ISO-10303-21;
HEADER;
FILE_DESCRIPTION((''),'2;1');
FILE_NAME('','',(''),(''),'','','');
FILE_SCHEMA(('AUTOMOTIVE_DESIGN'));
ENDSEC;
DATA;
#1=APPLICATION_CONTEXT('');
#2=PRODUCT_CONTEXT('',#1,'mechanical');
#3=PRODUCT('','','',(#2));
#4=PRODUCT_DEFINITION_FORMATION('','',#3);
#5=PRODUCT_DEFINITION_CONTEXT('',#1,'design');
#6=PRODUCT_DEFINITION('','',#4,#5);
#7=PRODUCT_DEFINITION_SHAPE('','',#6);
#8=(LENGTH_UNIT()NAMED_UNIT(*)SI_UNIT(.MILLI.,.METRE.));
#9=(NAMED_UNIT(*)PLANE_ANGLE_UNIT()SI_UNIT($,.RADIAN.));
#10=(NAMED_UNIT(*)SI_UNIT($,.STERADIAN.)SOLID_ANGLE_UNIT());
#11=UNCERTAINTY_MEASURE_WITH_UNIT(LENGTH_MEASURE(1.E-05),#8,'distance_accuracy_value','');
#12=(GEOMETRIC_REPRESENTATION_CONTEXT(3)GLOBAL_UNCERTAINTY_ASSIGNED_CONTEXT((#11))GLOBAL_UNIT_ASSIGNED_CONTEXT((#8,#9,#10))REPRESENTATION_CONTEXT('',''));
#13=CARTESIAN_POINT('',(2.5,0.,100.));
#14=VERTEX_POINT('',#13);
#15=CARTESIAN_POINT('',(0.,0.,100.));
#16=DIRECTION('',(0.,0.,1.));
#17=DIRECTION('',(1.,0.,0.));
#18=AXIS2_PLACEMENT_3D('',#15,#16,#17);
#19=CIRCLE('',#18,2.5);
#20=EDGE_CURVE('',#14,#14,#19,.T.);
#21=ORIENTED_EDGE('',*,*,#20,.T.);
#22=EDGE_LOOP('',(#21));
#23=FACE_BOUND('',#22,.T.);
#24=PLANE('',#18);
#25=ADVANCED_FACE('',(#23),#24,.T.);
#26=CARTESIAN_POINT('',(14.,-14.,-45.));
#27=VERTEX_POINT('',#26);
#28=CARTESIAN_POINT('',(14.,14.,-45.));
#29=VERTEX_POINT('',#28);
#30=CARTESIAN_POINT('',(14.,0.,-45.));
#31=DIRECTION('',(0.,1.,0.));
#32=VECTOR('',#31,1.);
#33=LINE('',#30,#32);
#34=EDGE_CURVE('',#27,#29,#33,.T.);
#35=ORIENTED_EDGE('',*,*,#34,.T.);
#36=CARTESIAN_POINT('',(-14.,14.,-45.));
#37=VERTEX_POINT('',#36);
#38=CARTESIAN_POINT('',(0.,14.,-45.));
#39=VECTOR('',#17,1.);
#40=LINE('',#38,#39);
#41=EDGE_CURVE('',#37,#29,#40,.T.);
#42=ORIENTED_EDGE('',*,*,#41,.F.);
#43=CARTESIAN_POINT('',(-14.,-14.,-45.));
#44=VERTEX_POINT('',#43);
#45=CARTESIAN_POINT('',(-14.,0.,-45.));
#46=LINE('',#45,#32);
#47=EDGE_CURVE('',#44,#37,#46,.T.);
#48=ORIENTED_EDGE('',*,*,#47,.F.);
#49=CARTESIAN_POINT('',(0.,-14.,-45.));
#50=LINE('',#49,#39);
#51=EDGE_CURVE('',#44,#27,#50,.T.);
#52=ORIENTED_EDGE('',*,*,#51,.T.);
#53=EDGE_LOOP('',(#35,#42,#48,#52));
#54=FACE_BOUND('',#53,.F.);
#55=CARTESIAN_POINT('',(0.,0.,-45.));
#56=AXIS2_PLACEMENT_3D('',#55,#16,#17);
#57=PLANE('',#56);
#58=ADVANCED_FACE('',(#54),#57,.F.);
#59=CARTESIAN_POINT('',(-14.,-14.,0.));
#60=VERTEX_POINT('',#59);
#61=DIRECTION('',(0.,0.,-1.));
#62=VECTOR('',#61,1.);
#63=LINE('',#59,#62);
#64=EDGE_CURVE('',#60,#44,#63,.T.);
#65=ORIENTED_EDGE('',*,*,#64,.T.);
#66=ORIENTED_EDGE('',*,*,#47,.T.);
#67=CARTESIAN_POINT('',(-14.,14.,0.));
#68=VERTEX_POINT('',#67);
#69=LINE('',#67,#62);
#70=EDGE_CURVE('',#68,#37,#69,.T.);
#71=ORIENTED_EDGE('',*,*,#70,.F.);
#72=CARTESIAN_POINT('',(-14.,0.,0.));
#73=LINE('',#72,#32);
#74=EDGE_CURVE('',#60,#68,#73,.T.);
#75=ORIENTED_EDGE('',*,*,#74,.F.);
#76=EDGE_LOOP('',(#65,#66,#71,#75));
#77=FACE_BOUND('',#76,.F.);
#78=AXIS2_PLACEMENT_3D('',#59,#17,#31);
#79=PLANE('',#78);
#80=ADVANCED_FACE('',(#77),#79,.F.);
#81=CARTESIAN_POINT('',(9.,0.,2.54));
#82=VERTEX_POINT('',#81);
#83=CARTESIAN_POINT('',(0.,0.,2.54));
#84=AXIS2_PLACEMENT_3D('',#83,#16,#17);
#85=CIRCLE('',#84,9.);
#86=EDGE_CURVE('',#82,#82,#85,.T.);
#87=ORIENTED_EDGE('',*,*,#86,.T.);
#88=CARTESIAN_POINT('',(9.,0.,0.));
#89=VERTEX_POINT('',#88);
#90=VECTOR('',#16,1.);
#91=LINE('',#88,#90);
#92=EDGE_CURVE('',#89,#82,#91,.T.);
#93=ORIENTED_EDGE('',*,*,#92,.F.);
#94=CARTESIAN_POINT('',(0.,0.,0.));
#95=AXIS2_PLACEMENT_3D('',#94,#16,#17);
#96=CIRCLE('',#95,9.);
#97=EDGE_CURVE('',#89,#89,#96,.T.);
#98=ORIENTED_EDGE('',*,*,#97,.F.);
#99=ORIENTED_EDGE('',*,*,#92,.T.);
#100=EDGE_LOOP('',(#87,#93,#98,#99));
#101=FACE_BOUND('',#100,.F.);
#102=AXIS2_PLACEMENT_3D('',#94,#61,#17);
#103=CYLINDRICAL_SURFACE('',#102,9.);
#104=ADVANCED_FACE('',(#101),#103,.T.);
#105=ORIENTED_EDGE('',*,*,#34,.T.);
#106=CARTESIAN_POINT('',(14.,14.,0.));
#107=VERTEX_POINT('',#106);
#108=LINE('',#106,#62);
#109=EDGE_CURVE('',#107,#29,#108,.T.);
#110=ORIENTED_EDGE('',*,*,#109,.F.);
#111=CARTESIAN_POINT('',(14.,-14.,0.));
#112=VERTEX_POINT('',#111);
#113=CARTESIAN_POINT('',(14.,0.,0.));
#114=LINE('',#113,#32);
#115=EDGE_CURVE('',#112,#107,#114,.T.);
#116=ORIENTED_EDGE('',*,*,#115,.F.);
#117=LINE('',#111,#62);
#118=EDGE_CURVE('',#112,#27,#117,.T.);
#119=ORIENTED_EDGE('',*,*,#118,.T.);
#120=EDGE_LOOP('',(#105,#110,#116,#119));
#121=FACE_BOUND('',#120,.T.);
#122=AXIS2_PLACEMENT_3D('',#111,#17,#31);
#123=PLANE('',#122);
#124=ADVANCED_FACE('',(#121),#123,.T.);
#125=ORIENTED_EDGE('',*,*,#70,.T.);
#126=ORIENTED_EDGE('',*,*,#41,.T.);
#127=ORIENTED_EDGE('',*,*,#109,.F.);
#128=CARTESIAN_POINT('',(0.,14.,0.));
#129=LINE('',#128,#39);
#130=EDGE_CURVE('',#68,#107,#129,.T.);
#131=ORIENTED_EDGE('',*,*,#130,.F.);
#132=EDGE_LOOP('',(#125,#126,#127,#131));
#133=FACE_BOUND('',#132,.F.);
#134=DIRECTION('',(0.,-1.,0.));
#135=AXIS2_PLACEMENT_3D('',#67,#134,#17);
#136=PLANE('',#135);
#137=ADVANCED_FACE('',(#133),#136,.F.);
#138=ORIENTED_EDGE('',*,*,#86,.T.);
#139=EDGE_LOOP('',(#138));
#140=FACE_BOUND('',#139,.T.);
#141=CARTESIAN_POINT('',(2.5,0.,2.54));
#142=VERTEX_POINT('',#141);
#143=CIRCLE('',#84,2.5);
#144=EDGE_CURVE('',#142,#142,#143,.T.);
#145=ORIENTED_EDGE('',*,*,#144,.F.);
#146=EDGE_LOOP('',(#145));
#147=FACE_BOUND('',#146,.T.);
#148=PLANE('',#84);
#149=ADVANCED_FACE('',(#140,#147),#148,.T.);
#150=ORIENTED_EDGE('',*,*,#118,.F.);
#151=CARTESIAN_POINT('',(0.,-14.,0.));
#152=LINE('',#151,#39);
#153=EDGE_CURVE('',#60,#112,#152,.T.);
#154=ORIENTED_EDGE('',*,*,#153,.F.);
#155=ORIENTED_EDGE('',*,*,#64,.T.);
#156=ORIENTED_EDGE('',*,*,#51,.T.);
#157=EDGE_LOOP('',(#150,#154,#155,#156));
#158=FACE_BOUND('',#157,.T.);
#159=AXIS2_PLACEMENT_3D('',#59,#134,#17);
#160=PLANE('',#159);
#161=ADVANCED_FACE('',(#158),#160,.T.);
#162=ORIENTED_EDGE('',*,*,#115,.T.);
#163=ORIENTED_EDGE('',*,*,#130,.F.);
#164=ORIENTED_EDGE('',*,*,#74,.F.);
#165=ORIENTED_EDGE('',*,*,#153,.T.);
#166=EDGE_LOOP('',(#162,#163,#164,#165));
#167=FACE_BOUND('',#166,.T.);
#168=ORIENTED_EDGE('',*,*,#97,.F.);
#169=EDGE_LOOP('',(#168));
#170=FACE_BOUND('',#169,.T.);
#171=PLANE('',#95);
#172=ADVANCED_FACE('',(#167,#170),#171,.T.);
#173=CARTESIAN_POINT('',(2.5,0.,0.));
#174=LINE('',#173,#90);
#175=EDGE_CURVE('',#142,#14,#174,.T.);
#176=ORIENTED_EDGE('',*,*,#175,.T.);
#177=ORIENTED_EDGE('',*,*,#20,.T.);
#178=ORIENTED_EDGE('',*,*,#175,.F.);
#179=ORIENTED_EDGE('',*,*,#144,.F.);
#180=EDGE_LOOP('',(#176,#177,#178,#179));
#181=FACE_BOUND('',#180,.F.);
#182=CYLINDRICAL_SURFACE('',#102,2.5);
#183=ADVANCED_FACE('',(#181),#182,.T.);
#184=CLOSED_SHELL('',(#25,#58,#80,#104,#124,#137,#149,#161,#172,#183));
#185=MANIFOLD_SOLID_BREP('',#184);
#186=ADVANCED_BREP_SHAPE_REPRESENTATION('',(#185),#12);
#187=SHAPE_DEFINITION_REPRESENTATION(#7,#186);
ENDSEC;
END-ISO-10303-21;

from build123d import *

# Parameters (mm, degrees)
F0_W     = 28
F0_H     = 28
F0_R     = 9
F0_R_2   = 2.5
F1_DEPTH = 45
F2_DEPTH = 100
F3_DEPTH = 2.54


with BuildPart() as f1:
    # F0 (on Top) → F1 (new body)
    with BuildSketch(Plane.XY):
        Rectangle(F0_W, F0_H)
        Circle(F0_R, mode=Mode.SUBTRACT)
        Circle(F0_R)
        Circle(F0_R_2, mode=Mode.SUBTRACT)
        Circle(F0_R_2)
    extrude(amount=-F1_DEPTH)

    # F0 (on Top) → F2 (join)
    with BuildSketch(Plane.XY):
        Circle(F0_R_2)
    extrude(amount=F2_DEPTH)

    # F0 (on Top) → F3 (join)
    with BuildSketch(Plane.XY):
        Circle(F0_R)
        Circle(F0_R_2, mode=Mode.SUBTRACT)
    extrude(amount=F3_DEPTH)


solid = f1.part
